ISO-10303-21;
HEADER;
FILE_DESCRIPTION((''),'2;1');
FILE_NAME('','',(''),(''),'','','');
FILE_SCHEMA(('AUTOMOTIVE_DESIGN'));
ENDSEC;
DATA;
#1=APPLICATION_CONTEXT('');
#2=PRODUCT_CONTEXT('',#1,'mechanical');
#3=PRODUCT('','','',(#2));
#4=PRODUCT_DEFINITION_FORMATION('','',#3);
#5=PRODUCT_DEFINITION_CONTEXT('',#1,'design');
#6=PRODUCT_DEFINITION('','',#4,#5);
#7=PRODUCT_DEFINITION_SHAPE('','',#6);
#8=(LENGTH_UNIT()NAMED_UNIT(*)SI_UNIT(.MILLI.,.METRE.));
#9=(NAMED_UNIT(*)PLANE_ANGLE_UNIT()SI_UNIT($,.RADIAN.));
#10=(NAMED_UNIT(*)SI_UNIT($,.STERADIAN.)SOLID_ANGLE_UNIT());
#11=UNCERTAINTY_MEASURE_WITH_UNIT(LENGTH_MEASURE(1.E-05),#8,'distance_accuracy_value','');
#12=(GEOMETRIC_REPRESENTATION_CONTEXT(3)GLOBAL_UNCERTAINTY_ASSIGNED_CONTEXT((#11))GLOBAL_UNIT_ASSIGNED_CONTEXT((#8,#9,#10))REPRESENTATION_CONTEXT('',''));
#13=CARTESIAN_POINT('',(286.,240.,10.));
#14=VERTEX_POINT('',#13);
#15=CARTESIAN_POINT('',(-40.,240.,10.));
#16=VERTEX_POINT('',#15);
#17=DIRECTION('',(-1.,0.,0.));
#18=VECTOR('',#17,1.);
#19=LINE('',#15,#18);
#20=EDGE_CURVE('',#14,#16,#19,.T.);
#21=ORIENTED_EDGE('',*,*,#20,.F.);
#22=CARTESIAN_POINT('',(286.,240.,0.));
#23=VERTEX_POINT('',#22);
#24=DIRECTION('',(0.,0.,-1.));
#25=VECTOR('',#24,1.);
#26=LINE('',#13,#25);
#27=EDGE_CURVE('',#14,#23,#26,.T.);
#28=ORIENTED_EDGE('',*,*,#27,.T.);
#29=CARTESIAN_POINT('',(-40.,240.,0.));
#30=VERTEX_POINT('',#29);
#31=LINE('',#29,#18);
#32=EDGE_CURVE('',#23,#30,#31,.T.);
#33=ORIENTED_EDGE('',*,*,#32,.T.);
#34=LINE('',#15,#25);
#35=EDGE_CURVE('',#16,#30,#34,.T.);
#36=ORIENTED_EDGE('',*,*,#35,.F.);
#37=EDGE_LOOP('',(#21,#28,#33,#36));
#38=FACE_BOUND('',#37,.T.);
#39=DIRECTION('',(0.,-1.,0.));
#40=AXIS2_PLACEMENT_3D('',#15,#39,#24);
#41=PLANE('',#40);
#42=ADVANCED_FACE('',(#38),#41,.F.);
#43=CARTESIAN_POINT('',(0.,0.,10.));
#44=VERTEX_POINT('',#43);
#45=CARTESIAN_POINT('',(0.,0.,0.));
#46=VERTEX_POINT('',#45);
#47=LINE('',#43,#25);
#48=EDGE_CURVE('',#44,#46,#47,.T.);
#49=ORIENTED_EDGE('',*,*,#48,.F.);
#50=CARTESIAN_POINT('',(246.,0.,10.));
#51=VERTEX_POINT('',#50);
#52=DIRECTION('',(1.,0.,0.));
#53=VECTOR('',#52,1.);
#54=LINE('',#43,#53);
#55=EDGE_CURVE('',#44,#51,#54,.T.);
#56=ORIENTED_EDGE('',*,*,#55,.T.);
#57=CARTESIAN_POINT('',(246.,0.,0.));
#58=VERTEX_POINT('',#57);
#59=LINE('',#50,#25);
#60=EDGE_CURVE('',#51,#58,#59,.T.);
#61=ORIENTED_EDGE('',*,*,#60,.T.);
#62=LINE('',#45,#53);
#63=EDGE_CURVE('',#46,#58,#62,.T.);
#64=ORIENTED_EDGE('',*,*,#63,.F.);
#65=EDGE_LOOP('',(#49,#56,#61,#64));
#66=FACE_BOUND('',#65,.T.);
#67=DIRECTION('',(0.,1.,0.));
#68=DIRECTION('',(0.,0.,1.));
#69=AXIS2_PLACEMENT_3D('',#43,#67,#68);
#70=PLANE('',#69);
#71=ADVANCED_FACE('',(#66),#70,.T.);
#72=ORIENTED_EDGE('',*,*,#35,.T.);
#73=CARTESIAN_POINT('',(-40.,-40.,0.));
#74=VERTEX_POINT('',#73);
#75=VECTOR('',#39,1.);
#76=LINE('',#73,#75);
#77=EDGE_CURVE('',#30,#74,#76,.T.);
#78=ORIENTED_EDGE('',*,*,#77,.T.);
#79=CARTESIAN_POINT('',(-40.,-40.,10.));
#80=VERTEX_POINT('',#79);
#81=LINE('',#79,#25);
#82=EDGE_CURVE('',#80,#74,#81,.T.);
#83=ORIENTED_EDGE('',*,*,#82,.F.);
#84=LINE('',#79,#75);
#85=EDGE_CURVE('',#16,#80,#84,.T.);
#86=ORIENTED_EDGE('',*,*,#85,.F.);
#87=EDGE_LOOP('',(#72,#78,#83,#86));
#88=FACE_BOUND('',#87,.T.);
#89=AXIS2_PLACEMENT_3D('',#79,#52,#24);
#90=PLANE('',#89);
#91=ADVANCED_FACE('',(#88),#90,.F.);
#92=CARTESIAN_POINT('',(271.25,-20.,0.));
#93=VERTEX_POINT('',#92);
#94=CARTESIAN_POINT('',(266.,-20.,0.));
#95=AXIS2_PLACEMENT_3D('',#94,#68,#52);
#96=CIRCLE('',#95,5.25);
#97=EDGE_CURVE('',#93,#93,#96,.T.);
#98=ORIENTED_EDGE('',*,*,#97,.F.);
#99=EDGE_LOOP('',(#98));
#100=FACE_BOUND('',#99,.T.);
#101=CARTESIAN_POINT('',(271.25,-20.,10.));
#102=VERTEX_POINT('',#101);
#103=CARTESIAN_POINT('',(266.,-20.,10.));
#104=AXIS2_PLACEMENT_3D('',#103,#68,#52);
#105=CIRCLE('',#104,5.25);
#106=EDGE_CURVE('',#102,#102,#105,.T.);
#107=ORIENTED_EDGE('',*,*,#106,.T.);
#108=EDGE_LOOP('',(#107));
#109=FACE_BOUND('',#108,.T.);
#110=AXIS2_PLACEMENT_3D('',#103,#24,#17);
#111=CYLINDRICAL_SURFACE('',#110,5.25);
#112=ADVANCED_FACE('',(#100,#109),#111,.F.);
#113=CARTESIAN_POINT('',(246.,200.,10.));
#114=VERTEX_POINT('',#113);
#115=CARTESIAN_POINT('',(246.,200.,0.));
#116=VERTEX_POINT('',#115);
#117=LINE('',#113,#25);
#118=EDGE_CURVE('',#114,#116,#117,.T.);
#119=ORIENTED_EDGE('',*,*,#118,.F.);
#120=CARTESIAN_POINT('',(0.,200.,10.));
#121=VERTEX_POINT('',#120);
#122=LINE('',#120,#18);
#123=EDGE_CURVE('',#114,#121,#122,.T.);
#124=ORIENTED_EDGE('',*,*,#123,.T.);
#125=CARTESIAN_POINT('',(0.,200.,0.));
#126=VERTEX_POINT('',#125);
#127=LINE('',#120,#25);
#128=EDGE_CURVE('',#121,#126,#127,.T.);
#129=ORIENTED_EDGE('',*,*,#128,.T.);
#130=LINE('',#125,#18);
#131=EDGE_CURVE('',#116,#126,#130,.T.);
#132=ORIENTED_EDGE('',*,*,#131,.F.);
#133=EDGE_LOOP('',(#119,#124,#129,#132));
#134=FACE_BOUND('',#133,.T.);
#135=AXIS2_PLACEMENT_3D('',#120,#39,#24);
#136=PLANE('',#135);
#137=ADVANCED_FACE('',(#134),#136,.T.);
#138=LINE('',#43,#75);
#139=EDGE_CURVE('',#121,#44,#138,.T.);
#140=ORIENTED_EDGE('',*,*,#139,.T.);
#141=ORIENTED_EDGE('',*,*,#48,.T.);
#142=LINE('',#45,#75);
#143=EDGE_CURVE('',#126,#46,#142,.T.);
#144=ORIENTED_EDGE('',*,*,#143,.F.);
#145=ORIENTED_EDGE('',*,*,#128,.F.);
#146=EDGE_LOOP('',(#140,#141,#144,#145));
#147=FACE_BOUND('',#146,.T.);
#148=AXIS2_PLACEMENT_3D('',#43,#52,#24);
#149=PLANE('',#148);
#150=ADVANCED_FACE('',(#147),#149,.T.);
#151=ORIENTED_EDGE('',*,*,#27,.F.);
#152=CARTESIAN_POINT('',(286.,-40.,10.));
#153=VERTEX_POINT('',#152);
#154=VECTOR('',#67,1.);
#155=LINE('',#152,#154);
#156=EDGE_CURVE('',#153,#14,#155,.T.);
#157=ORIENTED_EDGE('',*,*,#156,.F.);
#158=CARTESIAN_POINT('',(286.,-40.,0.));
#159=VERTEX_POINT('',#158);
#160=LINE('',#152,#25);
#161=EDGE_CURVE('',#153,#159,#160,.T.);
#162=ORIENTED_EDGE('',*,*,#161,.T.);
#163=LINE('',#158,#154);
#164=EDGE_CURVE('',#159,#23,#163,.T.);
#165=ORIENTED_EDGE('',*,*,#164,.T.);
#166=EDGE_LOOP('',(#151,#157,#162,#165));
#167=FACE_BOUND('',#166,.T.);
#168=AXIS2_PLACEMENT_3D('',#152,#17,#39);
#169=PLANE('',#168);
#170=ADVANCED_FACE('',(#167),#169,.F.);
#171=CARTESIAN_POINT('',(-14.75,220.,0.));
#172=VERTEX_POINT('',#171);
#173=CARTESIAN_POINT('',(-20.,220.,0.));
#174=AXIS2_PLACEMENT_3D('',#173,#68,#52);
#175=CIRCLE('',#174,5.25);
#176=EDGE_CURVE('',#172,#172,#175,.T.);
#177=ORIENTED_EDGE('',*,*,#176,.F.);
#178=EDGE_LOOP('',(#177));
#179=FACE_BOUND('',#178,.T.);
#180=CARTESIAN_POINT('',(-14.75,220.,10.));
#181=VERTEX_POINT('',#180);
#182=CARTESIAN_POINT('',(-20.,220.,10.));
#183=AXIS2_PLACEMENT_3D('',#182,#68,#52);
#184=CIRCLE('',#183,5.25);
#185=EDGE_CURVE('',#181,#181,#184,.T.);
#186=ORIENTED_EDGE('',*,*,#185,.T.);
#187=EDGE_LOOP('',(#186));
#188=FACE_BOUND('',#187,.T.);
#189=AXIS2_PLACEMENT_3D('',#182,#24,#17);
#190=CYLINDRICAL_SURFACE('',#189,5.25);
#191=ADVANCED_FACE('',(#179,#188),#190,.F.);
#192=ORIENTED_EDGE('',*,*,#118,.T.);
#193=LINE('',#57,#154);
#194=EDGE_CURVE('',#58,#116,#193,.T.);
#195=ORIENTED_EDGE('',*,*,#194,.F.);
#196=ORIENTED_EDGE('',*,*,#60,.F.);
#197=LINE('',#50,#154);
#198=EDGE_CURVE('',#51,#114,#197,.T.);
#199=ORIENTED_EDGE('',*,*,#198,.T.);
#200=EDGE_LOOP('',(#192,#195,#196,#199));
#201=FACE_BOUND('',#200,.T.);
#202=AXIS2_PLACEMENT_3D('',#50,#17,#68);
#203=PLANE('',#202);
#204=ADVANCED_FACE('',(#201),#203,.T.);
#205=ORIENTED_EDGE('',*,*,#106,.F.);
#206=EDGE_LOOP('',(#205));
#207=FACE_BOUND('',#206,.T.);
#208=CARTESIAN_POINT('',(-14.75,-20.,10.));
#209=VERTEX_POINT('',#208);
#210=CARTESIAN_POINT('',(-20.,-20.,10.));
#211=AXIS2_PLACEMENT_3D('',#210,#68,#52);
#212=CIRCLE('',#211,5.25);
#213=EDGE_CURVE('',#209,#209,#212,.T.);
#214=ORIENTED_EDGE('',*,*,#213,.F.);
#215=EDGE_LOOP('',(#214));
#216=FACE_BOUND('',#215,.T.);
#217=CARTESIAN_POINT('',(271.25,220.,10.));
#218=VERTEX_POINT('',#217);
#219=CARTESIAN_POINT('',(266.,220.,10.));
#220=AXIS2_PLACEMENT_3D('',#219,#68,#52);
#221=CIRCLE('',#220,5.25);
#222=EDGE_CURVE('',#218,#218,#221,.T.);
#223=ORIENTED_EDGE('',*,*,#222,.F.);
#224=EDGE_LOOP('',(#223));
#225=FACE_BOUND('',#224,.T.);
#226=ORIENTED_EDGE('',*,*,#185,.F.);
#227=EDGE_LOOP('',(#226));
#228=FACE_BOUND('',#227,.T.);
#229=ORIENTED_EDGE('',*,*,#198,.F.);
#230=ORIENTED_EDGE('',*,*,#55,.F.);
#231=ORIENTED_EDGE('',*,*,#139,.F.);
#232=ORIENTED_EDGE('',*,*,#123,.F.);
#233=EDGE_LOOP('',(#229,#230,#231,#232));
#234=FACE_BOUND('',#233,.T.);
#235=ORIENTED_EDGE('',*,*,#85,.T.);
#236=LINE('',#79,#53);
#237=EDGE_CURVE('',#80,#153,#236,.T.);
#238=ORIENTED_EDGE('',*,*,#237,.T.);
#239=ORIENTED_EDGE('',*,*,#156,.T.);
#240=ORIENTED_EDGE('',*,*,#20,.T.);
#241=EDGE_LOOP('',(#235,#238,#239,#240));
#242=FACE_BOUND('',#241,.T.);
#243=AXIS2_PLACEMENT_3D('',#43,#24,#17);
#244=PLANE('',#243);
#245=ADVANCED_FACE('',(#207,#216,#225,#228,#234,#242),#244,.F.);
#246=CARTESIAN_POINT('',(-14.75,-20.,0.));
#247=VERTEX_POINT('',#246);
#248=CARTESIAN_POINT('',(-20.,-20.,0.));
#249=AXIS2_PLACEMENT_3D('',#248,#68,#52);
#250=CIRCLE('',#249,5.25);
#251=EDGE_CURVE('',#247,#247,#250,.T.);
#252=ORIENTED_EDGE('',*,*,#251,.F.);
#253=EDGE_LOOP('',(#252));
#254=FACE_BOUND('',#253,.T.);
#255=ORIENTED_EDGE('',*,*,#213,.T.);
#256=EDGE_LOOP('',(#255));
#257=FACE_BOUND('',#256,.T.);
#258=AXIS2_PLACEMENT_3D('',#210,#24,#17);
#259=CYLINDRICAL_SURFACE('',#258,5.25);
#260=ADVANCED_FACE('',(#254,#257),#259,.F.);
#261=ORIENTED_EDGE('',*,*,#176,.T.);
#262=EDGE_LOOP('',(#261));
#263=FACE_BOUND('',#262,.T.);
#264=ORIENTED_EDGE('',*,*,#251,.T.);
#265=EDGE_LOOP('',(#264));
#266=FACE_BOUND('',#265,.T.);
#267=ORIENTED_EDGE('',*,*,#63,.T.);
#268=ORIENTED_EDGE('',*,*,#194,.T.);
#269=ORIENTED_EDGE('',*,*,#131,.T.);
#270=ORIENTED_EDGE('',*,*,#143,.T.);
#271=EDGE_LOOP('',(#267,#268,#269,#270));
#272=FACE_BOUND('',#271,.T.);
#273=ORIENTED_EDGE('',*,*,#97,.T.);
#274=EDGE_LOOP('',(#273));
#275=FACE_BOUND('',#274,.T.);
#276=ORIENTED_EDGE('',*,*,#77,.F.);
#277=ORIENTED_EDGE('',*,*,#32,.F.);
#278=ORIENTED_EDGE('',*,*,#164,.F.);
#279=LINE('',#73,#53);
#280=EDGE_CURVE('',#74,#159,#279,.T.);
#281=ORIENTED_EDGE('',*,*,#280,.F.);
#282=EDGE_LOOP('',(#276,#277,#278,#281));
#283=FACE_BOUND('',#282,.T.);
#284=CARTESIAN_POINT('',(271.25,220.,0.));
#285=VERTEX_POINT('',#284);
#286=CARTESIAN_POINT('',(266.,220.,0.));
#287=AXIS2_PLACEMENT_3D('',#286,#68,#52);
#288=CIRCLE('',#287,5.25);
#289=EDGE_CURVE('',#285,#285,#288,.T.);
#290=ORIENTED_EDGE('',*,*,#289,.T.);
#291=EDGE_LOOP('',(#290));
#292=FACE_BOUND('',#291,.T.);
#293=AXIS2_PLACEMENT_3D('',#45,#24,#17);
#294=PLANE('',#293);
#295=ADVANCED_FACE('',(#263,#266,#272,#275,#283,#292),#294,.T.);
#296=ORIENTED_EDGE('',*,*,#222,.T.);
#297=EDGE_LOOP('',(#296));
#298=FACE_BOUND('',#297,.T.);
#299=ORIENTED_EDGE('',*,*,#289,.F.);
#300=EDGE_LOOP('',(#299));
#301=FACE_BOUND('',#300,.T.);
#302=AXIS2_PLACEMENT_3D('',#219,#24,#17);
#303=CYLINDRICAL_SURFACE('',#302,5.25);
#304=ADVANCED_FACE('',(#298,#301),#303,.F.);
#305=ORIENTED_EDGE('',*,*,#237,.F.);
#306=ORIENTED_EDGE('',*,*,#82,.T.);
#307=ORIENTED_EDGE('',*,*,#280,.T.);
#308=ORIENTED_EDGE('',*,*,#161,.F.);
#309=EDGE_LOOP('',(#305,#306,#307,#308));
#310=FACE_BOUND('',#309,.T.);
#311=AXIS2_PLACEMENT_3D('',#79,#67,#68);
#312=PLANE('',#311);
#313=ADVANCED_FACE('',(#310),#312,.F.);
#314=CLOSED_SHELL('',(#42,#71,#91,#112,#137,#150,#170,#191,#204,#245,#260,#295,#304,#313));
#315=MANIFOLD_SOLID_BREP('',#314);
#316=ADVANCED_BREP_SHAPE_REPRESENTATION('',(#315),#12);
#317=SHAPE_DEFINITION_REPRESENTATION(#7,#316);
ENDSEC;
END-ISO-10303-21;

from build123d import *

# Parameters (mm, degrees)
SKETCH1_W           = 326
SKETCH1_H           = 280
SKETCH1_R           = 5.25
SKETCH1_W_2         = 246
SKETCH1_H_2         = 200
BOSS_EXTRUDE1_DEPTH = 10


with BuildPart() as part:
    # Sketch1 → Boss-Extrude1 (new body)
    with BuildSketch(Plane.XY):
        with Locations((123, 100)):
            Rectangle(SKETCH1_W, SKETCH1_H)
        with Locations((-20, 220)):
            Circle(SKETCH1_R, mode=Mode.SUBTRACT)
        with Locations((266, 220)):
            Circle(SKETCH1_R, mode=Mode.SUBTRACT)
        with Locations((266, -20)):
            Circle(SKETCH1_R, mode=Mode.SUBTRACT)
        with Locations((-20, -20)):
            Circle(SKETCH1_R, mode=Mode.SUBTRACT)
        with Locations((123, 100)):
            Rectangle(SKETCH1_W_2, SKETCH1_H_2, mode=Mode.SUBTRACT)
    extrude(amount=BOSS_EXTRUDE1_DEPTH)


solid = part.part
